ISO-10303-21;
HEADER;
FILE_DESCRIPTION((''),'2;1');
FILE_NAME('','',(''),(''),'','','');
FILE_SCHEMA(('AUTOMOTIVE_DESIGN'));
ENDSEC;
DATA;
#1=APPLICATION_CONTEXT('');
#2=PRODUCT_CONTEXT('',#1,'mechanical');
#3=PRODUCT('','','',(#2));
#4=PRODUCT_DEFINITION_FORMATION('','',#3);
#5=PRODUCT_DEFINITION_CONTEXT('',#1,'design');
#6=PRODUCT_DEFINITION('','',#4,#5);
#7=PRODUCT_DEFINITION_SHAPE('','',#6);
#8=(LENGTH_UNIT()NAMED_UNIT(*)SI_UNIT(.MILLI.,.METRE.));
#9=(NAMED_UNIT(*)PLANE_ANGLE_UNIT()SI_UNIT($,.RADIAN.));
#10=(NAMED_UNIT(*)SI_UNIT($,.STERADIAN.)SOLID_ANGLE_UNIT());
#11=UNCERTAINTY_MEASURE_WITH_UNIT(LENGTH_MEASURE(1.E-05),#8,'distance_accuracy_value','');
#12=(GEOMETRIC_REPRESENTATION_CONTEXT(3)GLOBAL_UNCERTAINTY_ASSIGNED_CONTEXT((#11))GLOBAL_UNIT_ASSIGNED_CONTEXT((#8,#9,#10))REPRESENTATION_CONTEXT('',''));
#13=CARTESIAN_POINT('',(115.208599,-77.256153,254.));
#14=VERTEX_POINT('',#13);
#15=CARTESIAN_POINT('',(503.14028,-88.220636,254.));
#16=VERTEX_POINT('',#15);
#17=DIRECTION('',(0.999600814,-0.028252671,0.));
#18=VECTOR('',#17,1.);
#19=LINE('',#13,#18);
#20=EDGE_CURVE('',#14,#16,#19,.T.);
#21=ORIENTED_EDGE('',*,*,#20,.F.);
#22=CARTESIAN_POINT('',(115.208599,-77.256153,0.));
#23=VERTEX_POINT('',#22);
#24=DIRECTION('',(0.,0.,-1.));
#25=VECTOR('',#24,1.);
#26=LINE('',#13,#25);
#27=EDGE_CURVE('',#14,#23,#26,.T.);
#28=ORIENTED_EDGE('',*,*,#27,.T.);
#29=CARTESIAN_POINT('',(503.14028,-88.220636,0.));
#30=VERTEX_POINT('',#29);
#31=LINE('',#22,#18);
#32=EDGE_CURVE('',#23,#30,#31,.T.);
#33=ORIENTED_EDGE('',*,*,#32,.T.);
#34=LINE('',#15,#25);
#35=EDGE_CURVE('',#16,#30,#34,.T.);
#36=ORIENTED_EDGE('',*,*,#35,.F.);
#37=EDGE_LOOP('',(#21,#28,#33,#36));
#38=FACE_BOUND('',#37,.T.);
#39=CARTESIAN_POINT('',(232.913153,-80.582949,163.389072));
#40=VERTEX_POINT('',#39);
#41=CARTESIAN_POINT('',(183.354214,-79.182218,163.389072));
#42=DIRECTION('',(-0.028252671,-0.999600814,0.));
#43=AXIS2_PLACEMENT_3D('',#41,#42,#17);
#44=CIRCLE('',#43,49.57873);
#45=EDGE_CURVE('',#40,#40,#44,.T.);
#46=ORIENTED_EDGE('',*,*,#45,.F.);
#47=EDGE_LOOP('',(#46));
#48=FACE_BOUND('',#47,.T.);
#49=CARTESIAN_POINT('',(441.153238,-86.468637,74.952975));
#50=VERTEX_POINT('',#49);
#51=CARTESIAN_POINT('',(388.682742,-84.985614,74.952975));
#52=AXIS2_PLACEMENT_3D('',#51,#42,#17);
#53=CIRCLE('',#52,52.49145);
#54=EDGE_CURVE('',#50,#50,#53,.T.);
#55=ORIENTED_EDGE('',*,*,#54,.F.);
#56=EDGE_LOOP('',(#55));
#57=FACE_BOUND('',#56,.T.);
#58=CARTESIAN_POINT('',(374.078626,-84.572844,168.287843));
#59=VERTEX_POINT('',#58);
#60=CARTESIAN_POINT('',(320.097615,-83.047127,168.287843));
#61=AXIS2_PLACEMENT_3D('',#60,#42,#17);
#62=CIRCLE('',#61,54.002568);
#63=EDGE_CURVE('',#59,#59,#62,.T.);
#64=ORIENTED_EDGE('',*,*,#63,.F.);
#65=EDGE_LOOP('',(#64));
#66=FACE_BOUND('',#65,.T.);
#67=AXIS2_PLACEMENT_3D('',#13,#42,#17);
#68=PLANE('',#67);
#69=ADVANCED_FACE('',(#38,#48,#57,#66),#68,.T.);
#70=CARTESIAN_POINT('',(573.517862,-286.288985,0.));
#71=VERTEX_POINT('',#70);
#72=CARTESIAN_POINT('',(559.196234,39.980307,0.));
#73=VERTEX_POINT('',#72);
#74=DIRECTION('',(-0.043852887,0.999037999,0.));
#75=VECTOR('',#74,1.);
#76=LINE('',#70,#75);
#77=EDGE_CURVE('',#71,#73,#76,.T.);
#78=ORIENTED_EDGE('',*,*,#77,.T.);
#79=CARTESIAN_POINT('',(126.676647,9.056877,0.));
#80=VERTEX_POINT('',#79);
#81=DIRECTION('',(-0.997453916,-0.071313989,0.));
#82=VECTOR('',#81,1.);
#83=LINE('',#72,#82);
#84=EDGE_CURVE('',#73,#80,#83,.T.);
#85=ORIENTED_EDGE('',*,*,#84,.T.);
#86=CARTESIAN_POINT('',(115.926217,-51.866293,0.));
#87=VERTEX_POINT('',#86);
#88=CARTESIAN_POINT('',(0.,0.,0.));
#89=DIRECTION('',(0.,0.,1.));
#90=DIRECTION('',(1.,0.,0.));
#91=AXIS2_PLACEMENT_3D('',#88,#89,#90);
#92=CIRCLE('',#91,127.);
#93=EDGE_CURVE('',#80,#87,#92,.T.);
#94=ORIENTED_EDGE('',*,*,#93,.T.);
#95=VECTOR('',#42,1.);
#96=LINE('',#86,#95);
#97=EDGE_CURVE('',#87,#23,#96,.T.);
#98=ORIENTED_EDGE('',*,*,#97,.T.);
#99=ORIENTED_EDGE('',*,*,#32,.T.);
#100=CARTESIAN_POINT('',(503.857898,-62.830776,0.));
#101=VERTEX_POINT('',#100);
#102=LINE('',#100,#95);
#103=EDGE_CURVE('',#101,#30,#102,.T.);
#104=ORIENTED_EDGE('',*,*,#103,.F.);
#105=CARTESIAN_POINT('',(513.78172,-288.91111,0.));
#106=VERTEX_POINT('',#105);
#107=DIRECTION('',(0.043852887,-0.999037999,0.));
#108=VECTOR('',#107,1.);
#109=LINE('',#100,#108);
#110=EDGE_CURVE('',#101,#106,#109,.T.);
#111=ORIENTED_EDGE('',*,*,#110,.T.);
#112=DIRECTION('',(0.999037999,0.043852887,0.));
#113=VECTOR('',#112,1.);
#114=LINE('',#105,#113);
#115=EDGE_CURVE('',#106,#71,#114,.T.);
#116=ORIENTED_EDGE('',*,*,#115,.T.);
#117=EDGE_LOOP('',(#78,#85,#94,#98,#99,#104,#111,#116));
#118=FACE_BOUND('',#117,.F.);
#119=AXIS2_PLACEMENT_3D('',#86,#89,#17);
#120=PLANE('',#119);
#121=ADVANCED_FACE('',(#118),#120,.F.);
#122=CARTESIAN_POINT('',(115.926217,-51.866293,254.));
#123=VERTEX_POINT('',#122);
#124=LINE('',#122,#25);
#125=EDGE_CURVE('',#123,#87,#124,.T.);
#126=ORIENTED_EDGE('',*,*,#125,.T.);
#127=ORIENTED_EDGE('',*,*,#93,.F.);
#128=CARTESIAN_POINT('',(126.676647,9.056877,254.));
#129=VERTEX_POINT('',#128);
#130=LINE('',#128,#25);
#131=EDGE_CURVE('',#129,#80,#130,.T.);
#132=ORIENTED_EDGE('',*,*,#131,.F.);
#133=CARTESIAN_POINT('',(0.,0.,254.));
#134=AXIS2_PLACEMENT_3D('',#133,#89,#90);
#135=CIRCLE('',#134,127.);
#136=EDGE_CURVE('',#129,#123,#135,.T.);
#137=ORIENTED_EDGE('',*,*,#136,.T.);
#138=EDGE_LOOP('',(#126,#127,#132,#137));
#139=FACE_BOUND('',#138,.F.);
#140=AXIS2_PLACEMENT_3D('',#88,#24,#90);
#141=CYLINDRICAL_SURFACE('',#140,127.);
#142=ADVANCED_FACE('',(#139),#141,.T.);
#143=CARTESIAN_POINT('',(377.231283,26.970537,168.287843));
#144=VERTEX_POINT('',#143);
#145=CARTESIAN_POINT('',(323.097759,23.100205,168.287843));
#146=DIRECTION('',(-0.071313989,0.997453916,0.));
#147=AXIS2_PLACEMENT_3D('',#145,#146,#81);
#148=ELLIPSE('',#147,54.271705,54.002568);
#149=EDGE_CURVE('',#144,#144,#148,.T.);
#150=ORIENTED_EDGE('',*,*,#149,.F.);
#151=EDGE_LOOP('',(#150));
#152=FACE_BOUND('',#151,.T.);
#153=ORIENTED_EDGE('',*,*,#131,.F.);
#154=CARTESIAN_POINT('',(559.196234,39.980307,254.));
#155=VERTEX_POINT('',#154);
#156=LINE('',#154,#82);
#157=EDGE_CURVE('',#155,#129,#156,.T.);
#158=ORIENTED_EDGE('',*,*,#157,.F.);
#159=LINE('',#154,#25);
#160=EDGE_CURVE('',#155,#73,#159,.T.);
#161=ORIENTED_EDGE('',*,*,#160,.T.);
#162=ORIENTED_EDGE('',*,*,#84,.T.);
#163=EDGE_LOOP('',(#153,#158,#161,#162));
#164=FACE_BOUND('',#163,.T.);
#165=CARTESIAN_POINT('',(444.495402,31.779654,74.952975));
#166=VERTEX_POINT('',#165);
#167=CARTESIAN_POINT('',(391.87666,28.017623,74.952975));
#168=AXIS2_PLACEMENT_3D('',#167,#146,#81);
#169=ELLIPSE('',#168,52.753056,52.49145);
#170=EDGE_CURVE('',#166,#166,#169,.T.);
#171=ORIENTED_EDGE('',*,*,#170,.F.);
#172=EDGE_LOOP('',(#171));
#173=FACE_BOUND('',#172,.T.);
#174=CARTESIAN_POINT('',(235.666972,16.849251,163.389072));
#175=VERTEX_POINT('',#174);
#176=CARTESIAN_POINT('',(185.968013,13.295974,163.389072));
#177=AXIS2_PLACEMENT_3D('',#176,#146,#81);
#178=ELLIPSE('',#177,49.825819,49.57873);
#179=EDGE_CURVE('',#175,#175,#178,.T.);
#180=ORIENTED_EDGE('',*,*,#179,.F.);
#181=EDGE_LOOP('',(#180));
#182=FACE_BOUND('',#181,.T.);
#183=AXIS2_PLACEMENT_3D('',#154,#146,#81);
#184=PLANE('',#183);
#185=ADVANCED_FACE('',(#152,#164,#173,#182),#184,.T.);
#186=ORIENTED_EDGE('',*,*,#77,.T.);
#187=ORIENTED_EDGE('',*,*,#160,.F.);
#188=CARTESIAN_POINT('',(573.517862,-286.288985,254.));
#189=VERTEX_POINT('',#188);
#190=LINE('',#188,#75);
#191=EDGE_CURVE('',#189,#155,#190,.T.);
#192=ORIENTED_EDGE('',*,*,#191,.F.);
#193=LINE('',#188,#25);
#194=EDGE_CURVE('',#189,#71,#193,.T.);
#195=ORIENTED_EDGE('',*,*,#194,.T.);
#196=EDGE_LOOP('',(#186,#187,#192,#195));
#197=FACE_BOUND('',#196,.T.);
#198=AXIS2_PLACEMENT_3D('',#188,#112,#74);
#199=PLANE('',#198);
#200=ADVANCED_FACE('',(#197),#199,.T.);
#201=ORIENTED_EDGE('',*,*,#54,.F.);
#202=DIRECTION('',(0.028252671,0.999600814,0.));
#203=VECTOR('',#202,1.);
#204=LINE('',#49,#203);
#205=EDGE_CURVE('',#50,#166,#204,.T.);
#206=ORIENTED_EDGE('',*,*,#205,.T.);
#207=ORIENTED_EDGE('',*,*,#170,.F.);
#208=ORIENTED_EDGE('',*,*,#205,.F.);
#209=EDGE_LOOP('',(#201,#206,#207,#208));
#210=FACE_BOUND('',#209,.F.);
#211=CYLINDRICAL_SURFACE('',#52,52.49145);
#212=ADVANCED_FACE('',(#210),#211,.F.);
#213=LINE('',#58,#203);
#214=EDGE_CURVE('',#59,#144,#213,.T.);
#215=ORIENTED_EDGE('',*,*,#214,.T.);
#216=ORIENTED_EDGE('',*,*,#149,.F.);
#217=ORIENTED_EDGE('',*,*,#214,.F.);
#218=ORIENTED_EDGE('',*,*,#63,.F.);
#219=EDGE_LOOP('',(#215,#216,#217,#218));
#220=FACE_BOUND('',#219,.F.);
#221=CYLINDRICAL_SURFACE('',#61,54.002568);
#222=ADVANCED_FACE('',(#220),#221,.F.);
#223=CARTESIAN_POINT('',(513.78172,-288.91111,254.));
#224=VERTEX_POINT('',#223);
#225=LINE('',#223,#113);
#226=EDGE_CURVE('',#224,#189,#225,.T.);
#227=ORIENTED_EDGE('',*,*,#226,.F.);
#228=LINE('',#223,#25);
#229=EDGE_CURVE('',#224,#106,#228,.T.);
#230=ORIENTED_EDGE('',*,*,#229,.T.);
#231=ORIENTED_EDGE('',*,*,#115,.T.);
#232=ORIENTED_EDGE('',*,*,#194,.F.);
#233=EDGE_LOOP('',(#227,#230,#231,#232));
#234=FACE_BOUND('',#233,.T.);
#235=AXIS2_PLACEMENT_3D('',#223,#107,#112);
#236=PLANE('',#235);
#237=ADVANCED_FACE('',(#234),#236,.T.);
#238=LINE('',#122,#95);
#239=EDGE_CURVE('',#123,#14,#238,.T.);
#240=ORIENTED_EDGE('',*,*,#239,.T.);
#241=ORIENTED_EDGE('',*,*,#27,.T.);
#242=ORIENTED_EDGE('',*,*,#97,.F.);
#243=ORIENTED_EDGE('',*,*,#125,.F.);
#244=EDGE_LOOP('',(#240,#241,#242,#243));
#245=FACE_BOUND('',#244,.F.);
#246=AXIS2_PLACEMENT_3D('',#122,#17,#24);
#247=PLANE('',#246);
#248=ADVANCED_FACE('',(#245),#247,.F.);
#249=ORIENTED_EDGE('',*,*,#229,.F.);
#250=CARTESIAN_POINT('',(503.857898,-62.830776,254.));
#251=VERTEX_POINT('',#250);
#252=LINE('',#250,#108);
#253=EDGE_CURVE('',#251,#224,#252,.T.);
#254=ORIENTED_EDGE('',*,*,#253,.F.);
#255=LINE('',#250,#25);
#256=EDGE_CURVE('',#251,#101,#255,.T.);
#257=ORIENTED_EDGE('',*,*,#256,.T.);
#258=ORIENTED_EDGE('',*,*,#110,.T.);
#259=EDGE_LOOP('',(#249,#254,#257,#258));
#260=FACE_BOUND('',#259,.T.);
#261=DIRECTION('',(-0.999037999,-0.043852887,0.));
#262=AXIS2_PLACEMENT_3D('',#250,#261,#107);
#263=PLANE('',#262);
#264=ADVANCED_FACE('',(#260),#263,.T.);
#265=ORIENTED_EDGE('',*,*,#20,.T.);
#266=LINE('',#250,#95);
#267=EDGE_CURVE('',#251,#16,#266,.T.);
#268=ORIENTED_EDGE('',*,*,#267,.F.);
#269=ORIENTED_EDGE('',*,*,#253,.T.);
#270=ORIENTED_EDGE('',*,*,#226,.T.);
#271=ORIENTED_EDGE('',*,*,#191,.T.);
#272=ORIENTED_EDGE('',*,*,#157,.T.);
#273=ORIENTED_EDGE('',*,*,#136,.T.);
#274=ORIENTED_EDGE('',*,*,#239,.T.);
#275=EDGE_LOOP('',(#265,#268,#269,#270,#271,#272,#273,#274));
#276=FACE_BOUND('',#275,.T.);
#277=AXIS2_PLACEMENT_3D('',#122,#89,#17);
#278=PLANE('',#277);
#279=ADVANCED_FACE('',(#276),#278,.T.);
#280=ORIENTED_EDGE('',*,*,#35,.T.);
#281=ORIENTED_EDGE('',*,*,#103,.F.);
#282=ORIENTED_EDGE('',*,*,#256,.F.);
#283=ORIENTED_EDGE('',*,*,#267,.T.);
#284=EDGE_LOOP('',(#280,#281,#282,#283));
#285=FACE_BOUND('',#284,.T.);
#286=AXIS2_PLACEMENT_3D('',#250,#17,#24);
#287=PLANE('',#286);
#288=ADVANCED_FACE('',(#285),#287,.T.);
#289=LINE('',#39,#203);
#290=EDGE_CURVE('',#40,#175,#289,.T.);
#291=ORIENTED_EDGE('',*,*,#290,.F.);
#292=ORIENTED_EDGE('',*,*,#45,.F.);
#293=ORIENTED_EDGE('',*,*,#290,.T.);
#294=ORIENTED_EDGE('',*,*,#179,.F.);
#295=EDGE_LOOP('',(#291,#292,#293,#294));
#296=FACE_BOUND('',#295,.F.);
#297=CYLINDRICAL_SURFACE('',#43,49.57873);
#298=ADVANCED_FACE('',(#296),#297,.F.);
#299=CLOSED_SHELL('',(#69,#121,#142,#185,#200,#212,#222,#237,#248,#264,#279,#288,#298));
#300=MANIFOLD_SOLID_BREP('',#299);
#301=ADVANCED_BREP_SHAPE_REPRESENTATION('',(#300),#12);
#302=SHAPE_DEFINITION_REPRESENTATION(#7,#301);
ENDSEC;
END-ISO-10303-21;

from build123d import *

# Parameters (mm, degrees)
F0_R      = 127
F1_DEPTH  = 254
F3_DEPTH  = 254
F4_DEPTH  = 25.4
F5_R      = 49.5787296889
F6_DEPTH  = 210.82
F7_R      = 54.002568176
F8_DEPTH  = 254
F9_R      = 52.4914497997
F10_DEPTH = 254


with BuildPart() as f1:
    # F0 (on Top) → F1 (new body)
    with BuildSketch(Plane.XY):
        Circle(F0_R)
    extrude(amount=F1_DEPTH)

    # F2 (on face) → F3 (join)
    with BuildSketch(Plane.XY.offset(254)):
        with BuildLine():
            Line((559.1962337494, 39.9803072214), (126.6766473602, 9.056876591))
            ThreePointArc((126.6766473602, 9.056876591), (126.9191360961, 4.5313234964), (127, 0))
            ThreePointArc((127, 0), (124.2007035095, -26.5176403124), (115.9262165711, -51.8662926332))
            Line((115.9262165711, -51.8662926332), (503.8578976831, -62.8307757108))
            Line((503.8578976831, -62.8307757108), (513.781719797, -288.9111098311))
            Line((513.781719797, -288.9111098311), (573.5178616361, -286.2889850555))
            Line((573.5178616361, -286.2889850555), (559.1962337494, 39.9803072214))
        make_face()
    extrude(amount=-F3_DEPTH)

    # F4 (add): a face of the model
    f4_faces = [f1.faces().sort_by_distance(p)[0] for p in [
        (309.8920571271, -57.348534172, 127),
    ]]
    extrude(f4_faces, amount=F4_DEPTH)

    # F5 (on face) → F6 (cut)
    with BuildSketch(Plane(origin=(-2.08986034, -73.9408350817, 0), x_dir=(0.9996008136, -0.0282526711, 0), z_dir=(-0.0282526711, -0.9996008136, 0))):
        with Locations((185.5181306601, 163.3890718222)):
            Circle(F5_R)
    extrude(amount=-F6_DEPTH, mode=Mode.SUBTRACT)

    # F7 (on face) → F8 (cut)
    with BuildSketch(Plane(origin=(-2.08986034, -73.9408350817, 0), x_dir=(0.9996008136, -0.0282526711, 0), z_dir=(-0.0282526711, -0.9996008136, 0))):
        with Locations((322.3161399364, 168.2878434658)):
            Circle(F7_R)
    extrude(amount=-F8_DEPTH, mode=Mode.SUBTRACT)

    # F9 (on face) → F10 (cut)
    with BuildSketch(Plane(origin=(-2.08986034, -73.9408350817, 0), x_dir=(0.9996008136, -0.0282526711, 0), z_dir=(-0.0282526711, -0.9996008136, 0))):
        with Locations((390.9286558628, 74.9529749155)):
            Circle(F9_R)
    extrude(amount=-F10_DEPTH, mode=Mode.SUBTRACT)


solid = f1.part
